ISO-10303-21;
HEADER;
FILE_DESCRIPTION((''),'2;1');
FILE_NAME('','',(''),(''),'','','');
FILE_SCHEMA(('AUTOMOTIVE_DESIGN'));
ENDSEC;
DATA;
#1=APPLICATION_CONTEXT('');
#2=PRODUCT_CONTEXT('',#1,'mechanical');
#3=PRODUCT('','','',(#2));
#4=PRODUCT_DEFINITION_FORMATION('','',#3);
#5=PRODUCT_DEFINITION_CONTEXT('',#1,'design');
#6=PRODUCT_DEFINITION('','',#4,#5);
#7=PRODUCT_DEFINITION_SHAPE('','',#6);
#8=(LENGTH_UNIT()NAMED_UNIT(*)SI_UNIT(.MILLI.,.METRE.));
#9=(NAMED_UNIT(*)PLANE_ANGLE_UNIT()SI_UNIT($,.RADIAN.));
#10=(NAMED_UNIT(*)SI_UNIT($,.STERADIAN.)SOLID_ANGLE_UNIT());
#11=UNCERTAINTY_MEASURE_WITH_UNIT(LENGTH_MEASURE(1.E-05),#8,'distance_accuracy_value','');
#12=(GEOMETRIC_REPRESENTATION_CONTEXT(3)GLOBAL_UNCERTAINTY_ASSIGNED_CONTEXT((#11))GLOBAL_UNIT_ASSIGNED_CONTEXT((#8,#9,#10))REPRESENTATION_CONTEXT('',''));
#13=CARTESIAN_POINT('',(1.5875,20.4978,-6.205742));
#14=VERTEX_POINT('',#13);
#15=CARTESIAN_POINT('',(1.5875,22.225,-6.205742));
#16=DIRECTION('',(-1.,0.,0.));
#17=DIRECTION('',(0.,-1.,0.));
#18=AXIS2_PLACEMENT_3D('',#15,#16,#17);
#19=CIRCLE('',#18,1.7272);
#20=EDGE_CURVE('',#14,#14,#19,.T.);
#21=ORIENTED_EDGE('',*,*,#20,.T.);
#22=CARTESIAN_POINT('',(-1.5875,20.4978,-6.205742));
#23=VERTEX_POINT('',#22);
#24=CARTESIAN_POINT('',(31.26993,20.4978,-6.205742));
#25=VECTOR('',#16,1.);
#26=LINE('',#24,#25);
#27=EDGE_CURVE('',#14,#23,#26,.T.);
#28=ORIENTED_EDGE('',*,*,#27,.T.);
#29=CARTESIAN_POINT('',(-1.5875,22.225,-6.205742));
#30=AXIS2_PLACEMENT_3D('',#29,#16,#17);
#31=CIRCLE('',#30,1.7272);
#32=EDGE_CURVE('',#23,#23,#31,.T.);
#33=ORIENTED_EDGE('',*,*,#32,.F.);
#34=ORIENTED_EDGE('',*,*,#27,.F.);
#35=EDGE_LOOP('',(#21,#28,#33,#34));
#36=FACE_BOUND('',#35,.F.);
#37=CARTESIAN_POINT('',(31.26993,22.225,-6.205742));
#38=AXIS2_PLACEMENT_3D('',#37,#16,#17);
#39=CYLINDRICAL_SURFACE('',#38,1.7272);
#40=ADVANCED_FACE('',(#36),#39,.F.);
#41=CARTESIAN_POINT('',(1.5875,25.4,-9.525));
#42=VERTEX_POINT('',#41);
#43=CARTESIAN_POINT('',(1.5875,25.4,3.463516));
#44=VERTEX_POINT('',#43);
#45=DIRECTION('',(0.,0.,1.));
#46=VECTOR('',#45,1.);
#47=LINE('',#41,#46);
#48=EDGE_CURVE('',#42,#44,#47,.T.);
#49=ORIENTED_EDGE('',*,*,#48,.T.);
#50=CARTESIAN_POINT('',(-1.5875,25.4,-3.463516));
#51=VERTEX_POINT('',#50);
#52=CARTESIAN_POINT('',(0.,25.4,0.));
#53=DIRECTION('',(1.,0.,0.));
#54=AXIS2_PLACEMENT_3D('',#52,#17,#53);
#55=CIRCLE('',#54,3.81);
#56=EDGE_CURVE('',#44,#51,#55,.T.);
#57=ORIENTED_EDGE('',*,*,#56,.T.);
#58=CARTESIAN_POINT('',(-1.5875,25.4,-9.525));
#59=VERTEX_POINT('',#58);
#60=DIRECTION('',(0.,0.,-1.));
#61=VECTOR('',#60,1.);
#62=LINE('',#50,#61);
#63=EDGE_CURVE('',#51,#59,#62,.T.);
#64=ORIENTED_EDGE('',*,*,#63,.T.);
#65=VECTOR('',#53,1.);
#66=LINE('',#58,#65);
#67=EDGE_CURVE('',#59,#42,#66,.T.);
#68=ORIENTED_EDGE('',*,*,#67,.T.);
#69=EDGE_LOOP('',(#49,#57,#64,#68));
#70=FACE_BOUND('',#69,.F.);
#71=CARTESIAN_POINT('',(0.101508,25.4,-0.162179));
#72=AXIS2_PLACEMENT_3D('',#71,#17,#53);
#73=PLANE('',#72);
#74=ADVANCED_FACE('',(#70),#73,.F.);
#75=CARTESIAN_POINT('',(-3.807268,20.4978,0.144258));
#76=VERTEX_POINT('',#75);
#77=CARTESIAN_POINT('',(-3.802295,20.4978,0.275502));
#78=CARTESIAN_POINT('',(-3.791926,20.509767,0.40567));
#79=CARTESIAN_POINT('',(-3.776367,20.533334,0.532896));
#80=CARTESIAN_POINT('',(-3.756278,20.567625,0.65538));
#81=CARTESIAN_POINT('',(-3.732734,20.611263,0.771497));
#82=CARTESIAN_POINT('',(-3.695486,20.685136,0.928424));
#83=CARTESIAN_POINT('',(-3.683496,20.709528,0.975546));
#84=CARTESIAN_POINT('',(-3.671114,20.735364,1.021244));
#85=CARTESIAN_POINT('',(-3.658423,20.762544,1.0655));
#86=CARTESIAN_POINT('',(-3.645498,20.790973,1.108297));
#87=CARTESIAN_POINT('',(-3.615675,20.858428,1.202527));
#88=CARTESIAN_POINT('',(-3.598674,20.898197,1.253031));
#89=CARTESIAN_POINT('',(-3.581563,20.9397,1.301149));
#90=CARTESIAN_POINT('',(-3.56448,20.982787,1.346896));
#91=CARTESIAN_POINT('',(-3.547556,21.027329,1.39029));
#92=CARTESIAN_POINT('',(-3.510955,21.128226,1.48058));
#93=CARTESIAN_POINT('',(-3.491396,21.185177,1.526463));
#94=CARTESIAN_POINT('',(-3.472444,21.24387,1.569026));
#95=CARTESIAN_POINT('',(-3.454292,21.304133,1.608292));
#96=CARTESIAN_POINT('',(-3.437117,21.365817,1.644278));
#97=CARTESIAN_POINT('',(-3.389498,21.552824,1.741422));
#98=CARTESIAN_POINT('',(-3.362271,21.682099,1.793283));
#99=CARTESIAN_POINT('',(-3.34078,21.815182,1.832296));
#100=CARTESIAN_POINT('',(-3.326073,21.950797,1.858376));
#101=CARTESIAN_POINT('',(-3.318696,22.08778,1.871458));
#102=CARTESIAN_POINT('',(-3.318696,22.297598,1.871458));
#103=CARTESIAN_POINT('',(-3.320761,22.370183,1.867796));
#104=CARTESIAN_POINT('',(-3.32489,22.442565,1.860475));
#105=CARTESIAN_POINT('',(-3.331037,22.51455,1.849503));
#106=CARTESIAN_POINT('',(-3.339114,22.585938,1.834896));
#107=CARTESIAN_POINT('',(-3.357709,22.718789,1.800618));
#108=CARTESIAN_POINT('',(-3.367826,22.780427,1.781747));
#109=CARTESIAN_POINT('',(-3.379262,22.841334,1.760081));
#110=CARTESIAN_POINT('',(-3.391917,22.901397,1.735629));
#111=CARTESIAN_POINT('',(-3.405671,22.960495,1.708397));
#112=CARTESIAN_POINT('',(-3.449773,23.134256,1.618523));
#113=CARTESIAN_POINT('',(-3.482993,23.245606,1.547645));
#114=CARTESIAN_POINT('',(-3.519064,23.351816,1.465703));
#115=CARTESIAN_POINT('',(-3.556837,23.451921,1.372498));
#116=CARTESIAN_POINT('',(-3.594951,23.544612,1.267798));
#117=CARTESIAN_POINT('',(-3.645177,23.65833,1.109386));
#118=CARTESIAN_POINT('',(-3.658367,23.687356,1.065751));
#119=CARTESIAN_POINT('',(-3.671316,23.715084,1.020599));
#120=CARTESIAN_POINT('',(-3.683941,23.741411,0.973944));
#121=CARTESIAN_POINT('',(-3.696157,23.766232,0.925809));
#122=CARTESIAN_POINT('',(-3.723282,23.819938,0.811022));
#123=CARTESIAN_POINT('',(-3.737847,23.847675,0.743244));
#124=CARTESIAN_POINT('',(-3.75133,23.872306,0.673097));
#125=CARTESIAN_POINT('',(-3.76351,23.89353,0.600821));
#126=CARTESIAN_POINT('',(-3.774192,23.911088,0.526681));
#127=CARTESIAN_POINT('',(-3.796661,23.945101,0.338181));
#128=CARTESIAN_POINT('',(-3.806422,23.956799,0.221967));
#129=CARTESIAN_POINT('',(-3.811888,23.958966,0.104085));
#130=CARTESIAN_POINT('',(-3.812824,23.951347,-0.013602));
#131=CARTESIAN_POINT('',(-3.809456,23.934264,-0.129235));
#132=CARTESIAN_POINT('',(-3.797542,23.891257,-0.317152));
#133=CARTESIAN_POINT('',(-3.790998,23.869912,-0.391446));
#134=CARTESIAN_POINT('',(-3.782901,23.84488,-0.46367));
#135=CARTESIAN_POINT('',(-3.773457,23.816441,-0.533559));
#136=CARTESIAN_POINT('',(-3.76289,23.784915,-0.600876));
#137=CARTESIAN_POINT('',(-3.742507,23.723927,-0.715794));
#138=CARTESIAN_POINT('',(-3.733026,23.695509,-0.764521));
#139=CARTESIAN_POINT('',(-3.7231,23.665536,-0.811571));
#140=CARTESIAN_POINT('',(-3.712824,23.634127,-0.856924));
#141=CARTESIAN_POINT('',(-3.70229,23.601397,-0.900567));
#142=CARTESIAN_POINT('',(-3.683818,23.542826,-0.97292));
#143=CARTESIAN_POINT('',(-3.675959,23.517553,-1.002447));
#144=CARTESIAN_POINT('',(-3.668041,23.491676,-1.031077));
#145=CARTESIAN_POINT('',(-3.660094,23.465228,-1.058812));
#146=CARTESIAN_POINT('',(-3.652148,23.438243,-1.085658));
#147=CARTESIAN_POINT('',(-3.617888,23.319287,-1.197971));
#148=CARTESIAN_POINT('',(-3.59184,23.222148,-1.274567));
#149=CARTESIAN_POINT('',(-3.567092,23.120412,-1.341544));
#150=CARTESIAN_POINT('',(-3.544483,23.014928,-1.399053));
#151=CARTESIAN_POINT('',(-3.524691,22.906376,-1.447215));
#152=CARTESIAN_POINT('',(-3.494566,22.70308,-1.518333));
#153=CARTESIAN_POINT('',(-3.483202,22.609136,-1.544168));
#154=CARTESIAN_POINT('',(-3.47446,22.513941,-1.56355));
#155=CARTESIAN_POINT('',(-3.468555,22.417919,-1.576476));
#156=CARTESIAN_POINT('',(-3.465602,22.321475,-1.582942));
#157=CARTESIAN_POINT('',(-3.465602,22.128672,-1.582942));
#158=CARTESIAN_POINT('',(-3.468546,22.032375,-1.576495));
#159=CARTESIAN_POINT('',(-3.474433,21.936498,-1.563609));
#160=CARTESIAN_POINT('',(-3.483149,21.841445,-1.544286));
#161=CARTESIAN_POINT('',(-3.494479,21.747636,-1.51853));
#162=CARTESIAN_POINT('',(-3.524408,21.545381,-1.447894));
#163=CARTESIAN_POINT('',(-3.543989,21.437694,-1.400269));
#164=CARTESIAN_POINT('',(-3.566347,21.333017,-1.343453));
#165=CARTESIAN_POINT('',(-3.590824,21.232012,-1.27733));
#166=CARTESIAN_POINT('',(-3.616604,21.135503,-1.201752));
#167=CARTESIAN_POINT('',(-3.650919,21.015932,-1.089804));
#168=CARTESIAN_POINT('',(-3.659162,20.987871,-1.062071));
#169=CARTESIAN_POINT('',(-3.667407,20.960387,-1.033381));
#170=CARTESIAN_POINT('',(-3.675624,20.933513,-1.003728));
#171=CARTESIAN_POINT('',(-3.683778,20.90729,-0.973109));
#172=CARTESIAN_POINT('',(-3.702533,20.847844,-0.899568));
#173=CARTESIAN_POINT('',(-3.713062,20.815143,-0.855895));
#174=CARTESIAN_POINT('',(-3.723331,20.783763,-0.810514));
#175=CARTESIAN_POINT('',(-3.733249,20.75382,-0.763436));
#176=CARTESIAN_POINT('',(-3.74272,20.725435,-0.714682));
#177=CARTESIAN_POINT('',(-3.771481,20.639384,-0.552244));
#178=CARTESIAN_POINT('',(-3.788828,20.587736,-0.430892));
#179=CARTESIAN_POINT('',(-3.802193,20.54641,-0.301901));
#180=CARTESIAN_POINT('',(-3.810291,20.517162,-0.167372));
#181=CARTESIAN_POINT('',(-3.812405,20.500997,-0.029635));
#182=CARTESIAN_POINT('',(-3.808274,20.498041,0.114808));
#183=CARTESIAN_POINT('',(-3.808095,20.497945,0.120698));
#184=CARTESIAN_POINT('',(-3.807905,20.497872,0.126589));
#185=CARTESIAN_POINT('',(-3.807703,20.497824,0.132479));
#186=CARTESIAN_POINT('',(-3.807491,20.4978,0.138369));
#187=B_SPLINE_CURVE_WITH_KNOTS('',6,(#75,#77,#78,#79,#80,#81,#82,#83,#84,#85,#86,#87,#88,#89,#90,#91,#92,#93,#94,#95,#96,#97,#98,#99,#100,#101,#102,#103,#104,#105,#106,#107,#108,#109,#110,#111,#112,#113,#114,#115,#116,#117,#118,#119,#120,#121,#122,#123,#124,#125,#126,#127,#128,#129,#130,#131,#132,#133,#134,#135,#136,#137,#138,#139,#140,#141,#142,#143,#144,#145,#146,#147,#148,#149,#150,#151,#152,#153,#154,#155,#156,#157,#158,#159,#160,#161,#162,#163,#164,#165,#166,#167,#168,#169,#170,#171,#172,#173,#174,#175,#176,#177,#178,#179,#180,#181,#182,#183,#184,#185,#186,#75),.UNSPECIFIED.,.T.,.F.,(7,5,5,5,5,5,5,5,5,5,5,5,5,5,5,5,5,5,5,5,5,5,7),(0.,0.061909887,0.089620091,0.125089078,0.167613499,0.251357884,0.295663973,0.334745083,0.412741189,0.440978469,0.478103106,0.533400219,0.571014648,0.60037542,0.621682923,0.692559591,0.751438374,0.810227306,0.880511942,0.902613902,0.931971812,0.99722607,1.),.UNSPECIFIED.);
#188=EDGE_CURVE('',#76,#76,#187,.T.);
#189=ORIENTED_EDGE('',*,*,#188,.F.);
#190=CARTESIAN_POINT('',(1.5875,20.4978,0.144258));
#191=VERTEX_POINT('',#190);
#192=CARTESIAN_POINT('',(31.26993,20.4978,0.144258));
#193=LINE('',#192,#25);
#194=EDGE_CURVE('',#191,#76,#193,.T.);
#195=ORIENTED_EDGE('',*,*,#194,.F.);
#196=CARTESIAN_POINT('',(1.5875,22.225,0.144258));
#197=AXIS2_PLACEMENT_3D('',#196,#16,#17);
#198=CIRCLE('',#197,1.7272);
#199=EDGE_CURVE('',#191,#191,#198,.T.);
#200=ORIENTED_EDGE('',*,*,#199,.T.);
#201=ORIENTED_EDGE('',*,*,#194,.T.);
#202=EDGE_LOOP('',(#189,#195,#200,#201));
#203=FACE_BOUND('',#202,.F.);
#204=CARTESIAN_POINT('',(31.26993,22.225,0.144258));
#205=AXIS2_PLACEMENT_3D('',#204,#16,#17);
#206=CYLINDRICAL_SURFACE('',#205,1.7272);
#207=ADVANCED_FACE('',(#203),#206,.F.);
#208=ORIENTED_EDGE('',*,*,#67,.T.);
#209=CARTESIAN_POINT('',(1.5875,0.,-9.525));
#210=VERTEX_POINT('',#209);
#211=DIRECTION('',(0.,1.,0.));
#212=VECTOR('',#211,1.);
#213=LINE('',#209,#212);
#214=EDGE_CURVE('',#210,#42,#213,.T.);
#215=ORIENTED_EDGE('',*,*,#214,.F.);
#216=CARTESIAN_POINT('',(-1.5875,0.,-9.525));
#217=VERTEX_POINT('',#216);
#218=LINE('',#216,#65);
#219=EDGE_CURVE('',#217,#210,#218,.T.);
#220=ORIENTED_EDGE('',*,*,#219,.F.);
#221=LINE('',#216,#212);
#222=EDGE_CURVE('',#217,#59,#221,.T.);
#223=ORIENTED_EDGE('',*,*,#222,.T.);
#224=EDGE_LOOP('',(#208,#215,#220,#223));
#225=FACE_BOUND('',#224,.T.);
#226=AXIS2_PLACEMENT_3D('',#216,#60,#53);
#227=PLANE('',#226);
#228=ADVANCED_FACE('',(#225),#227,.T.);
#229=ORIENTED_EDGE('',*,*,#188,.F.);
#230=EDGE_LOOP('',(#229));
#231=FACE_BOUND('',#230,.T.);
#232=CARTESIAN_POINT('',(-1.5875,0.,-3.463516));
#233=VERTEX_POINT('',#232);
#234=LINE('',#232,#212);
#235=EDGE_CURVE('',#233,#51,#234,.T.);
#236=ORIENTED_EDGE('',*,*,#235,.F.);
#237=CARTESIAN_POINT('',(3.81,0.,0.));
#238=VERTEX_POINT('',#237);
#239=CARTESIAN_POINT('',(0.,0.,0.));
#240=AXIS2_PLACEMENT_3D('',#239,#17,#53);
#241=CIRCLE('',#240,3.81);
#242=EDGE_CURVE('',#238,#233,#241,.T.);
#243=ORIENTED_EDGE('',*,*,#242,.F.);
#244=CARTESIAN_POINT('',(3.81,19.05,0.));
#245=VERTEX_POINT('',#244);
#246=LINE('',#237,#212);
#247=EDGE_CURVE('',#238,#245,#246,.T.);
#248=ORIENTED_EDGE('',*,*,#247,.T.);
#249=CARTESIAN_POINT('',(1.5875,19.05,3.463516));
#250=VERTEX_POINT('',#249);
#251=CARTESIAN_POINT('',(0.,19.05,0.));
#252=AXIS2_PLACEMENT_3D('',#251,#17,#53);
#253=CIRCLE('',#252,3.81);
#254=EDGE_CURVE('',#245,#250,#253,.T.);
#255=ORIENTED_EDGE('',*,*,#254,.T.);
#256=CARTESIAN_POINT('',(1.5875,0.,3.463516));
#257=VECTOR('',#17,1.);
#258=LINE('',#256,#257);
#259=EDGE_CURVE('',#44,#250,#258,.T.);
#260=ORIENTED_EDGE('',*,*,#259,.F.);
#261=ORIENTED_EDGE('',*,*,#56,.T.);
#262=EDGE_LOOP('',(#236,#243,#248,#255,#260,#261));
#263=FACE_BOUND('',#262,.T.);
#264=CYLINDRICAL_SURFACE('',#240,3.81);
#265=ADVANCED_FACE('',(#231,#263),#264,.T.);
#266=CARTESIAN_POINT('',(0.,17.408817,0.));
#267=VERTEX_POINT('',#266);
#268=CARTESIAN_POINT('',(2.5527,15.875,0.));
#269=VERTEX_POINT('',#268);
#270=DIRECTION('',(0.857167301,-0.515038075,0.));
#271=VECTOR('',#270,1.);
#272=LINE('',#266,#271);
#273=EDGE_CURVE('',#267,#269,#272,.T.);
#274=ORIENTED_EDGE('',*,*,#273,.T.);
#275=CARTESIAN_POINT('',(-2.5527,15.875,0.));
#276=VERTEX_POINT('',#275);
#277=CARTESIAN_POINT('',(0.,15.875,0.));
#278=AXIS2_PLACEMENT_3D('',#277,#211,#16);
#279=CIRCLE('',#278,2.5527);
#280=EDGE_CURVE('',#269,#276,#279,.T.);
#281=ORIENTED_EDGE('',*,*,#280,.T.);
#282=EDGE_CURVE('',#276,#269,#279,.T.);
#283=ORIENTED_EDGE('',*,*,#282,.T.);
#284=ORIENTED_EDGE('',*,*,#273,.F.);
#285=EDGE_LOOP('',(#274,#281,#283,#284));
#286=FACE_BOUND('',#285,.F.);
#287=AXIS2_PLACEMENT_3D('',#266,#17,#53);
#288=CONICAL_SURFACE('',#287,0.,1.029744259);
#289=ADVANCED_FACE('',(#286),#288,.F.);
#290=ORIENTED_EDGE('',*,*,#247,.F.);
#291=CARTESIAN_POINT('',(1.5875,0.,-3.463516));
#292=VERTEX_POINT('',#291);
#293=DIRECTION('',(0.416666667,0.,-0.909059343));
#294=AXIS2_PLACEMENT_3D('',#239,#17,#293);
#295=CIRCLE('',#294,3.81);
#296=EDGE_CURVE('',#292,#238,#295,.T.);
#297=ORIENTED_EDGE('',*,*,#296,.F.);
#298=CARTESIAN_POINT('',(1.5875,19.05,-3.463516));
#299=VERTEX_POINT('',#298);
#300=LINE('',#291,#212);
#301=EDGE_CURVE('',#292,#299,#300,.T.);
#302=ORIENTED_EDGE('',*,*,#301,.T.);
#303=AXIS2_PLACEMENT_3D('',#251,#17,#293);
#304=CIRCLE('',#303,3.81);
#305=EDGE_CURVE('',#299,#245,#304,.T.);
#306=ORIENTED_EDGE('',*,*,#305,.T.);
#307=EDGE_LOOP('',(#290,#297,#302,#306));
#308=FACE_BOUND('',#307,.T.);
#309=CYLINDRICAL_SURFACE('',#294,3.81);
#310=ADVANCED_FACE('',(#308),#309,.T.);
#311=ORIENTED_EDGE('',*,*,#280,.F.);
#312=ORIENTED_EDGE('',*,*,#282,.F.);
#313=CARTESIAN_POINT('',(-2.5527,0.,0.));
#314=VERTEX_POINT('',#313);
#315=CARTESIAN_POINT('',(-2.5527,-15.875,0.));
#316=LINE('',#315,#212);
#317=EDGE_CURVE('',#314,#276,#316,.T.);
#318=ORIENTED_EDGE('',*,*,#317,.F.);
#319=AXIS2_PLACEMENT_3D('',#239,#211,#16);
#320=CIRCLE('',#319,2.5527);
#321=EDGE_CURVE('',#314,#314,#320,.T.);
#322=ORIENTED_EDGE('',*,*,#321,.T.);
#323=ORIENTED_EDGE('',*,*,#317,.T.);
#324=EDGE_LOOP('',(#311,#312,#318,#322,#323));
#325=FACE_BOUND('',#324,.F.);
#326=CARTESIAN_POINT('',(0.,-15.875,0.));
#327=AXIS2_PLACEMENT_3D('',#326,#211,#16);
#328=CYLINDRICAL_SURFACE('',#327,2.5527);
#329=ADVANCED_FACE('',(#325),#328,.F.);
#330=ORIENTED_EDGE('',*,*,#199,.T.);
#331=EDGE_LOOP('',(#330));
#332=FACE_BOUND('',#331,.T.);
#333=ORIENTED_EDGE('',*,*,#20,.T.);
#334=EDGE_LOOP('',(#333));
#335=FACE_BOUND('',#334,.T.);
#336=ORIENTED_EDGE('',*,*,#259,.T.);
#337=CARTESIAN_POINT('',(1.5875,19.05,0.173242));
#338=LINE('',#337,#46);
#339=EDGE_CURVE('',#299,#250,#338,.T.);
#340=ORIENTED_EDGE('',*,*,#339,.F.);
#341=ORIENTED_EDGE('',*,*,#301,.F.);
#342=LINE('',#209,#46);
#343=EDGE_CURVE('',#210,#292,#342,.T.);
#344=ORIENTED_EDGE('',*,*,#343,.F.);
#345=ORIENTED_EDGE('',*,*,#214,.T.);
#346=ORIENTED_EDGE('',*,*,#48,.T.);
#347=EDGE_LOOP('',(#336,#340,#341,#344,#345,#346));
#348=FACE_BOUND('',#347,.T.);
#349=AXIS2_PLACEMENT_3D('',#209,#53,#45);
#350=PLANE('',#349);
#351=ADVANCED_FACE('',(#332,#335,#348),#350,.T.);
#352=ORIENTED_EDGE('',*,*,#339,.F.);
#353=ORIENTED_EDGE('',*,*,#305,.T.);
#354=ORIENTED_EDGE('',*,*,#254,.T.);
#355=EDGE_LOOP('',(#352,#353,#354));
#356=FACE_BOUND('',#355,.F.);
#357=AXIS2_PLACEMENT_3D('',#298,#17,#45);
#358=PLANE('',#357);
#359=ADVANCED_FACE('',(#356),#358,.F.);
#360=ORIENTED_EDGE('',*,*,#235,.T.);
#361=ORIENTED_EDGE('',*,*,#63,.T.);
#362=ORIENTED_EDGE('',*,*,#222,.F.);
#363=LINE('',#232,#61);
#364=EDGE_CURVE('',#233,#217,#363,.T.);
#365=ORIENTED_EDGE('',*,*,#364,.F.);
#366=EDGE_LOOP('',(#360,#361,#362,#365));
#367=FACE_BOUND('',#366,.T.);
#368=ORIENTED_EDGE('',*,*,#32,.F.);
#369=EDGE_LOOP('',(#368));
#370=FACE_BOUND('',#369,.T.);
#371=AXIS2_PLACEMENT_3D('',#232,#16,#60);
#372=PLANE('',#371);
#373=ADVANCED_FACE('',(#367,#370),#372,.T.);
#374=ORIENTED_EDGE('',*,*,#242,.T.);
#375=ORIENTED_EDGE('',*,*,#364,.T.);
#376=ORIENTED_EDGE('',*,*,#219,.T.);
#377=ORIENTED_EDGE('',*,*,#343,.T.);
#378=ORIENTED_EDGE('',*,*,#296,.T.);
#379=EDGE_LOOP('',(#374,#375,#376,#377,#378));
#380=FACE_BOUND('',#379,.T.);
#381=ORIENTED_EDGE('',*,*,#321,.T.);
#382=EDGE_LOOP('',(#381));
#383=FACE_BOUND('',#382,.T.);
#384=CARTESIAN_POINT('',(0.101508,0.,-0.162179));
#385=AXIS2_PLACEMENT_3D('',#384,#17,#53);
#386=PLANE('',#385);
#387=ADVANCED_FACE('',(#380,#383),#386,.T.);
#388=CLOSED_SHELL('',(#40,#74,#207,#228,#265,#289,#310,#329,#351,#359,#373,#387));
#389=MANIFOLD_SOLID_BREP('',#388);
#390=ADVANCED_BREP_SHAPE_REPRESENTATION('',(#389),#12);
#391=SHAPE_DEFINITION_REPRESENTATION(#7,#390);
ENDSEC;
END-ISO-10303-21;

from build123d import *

# Parameters (mm, degrees)
F1_DEPTH = 25.4
F2_D     = 5.1054
F2_DEPTH = 15.875
F2_TIP   = 1.5338169022
F3_W     = 6.35
F3_H     = 7.2735160964
F4_DEPTH = 2.2235
F6_D     = 3.4544


with BuildPart() as f1:
    # F0 (on Front) → F1 (new body)
    with BuildSketch(Plane.XZ):
        with BuildLine():
            ThreePointArc((1.5875, -3.4635160964), (3.2065928179, -2.0576351717), (3.81, 0))
            ThreePointArc((3.81, 0), (-2.0576351717, 3.2065928179), (-1.5875, -3.4635160964))
            Line((-1.5875, -3.4635160964), (-1.5875, 0))
            Line((-1.5875, 0), (1.5875, 0))
            Line((1.5875, 0), (1.5875, -3.4635160964))
        make_face()
        with BuildLine():
            Line((-1.5875, 0), (-1.5875, -3.4635160964))
            ThreePointArc((-1.5875, -3.4635160964), (0, -3.81), (1.5875, -3.4635160964))
            Line((1.5875, -3.4635160964), (1.5875, 0))
            Line((1.5875, 0), (-1.5875, 0))
        make_face()
        with BuildLine():
            ThreePointArc((1.5875, -3.4635160964), (0, -3.81), (-1.5875, -3.4635160964))
            Line((-1.5875, -3.4635160964), (-1.5875, -9.525))
            Line((-1.5875, -9.525), (1.5875, -9.525))
            Line((1.5875, -9.525), (1.5875, -3.4635160964))
        make_face()
    extrude(amount=-F1_DEPTH)

    # F2
    with Locations(Plane.XZ):
        with Locations((0, 0)):
            Hole(F2_D / 2, depth=F2_DEPTH)
            with Locations((0, 0, -(F2_DEPTH + F2_TIP / 2))):  # 118° drill point
                Cone(0, F2_D / 2, F2_TIP, mode=Mode.SUBTRACT)

    # F3 (on face) → F4 (cut, through all)
    with BuildSketch(Plane.YZ.offset(1.5875)):
        with Locations((22.225, 0.1732419518)):
            Rectangle(F3_W, F3_H)
    extrude(amount=F4_DEPTH, mode=Mode.SUBTRACT)

    # F6 (through all)
    with Locations(Plane.YZ.offset(1.5875)):
        with Locations((22.225, 0.1442580482), (22.225, -6.2057419518)):
            Hole(F6_D / 2)


solid = f1.part
